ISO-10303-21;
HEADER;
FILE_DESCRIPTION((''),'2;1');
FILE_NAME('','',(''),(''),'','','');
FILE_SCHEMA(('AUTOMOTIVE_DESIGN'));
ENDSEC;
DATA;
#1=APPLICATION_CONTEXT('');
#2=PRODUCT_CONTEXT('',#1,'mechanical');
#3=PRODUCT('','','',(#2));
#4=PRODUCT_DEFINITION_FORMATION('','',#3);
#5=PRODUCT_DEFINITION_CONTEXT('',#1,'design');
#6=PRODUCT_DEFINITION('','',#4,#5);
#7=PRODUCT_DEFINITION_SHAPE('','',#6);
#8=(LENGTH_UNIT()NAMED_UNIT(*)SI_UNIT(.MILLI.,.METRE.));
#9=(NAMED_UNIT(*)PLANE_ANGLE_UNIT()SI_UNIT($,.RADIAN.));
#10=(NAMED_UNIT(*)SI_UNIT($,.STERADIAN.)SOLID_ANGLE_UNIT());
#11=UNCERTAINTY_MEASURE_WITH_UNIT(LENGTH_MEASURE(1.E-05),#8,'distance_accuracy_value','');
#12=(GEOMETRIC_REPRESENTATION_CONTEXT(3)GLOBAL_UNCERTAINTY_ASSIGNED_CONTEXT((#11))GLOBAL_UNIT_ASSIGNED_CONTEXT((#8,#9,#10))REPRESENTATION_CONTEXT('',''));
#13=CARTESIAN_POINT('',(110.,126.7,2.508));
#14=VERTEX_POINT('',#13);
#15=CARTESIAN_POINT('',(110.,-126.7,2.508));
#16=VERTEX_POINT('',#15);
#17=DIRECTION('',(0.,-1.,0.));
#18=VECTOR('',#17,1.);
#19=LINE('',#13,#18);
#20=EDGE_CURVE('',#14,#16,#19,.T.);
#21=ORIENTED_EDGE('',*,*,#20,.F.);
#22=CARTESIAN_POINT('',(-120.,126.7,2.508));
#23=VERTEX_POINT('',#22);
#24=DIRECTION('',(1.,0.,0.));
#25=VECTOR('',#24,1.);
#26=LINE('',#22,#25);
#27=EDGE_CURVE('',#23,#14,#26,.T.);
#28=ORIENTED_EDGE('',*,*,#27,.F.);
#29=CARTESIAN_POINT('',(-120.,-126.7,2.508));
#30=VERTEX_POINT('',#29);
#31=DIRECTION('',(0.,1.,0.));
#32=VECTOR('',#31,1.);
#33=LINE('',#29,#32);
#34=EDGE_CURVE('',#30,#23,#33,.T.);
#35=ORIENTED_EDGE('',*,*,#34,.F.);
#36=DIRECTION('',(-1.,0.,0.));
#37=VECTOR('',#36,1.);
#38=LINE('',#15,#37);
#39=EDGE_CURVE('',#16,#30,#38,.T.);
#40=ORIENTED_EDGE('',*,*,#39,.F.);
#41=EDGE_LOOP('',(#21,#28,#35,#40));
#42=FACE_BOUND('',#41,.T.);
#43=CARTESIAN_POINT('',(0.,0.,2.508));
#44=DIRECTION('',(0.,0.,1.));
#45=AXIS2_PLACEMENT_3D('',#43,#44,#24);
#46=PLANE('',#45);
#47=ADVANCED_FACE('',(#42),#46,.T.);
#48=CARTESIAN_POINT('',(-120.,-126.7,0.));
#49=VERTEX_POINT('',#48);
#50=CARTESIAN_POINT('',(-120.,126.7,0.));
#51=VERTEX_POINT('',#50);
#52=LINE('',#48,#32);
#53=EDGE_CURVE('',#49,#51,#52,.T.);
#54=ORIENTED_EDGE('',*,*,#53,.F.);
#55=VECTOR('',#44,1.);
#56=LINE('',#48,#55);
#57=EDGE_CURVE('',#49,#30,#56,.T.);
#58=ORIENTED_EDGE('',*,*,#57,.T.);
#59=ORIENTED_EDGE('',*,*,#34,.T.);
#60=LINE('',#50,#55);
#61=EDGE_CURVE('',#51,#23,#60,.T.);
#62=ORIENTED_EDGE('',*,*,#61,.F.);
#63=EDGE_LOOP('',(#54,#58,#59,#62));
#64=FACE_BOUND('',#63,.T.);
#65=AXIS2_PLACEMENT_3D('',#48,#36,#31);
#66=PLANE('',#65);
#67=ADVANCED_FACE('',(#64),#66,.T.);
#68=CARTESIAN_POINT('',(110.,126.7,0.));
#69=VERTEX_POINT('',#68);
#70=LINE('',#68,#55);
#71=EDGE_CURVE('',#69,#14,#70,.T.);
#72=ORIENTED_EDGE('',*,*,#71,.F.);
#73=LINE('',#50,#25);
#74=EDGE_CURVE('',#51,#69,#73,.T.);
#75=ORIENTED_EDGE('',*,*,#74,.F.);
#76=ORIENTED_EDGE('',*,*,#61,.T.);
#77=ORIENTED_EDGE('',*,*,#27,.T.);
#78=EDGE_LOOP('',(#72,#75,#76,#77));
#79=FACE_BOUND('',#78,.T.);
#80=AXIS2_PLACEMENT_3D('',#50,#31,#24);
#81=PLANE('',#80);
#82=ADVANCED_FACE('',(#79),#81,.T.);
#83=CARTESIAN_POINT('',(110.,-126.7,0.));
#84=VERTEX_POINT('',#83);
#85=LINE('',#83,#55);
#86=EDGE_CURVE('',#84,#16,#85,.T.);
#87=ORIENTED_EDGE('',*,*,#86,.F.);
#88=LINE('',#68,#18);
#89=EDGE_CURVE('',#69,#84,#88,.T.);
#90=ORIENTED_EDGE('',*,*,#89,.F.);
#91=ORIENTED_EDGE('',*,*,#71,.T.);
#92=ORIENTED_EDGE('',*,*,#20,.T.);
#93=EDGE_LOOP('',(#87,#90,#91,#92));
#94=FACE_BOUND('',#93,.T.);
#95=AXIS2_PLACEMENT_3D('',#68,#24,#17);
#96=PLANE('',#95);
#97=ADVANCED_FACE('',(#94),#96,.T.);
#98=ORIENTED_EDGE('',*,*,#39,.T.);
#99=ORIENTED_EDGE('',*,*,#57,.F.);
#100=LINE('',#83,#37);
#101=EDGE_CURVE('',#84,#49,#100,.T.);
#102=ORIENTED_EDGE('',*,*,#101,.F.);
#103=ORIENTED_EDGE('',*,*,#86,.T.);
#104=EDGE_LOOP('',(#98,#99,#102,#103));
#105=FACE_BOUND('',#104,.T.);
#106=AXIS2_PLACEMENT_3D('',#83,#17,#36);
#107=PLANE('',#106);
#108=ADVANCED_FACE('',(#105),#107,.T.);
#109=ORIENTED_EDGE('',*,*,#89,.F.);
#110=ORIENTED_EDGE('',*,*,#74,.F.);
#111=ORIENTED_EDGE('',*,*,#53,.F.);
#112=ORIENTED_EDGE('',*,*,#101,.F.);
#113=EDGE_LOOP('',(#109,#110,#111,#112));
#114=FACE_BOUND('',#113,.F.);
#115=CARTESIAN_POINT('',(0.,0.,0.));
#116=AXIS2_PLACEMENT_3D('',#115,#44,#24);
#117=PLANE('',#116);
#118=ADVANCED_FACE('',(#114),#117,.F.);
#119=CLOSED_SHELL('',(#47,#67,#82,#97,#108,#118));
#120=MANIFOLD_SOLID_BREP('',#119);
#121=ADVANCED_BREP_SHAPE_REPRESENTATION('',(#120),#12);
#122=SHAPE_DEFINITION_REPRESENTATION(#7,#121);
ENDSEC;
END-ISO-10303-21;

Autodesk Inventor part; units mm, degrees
ref_plane "YZ Plane" through (0, 0, 0) normal (1, 0, 0) x (0, 1, 0)
ref_plane "XZ Plane" through (0, 0, 0) normal (0, 1, 0) x (-1, 0, 0)
ref_plane "XY Plane" through (0, 0, 0) normal (0, 0, 1) x (1, 0, 0)
sketch "Sketch1" plane through (0, 0, 0) normal (0, 0, 1) x (1, 0, 0)
  line L0 (-120, -126.7) -> (-120, 126.7)
  line L1 (-120, 126.7) -> (110, 126.7)
  line L2 (110, 126.7) -> (110, -126.7)
  line L3 (110, -126.7) -> (-120, -126.7)
extrude "spin4v23.brd_Outline" add sketch "Sketch1" along normal blind 2.508
properties part number "spin4v23.brd_Outline"
